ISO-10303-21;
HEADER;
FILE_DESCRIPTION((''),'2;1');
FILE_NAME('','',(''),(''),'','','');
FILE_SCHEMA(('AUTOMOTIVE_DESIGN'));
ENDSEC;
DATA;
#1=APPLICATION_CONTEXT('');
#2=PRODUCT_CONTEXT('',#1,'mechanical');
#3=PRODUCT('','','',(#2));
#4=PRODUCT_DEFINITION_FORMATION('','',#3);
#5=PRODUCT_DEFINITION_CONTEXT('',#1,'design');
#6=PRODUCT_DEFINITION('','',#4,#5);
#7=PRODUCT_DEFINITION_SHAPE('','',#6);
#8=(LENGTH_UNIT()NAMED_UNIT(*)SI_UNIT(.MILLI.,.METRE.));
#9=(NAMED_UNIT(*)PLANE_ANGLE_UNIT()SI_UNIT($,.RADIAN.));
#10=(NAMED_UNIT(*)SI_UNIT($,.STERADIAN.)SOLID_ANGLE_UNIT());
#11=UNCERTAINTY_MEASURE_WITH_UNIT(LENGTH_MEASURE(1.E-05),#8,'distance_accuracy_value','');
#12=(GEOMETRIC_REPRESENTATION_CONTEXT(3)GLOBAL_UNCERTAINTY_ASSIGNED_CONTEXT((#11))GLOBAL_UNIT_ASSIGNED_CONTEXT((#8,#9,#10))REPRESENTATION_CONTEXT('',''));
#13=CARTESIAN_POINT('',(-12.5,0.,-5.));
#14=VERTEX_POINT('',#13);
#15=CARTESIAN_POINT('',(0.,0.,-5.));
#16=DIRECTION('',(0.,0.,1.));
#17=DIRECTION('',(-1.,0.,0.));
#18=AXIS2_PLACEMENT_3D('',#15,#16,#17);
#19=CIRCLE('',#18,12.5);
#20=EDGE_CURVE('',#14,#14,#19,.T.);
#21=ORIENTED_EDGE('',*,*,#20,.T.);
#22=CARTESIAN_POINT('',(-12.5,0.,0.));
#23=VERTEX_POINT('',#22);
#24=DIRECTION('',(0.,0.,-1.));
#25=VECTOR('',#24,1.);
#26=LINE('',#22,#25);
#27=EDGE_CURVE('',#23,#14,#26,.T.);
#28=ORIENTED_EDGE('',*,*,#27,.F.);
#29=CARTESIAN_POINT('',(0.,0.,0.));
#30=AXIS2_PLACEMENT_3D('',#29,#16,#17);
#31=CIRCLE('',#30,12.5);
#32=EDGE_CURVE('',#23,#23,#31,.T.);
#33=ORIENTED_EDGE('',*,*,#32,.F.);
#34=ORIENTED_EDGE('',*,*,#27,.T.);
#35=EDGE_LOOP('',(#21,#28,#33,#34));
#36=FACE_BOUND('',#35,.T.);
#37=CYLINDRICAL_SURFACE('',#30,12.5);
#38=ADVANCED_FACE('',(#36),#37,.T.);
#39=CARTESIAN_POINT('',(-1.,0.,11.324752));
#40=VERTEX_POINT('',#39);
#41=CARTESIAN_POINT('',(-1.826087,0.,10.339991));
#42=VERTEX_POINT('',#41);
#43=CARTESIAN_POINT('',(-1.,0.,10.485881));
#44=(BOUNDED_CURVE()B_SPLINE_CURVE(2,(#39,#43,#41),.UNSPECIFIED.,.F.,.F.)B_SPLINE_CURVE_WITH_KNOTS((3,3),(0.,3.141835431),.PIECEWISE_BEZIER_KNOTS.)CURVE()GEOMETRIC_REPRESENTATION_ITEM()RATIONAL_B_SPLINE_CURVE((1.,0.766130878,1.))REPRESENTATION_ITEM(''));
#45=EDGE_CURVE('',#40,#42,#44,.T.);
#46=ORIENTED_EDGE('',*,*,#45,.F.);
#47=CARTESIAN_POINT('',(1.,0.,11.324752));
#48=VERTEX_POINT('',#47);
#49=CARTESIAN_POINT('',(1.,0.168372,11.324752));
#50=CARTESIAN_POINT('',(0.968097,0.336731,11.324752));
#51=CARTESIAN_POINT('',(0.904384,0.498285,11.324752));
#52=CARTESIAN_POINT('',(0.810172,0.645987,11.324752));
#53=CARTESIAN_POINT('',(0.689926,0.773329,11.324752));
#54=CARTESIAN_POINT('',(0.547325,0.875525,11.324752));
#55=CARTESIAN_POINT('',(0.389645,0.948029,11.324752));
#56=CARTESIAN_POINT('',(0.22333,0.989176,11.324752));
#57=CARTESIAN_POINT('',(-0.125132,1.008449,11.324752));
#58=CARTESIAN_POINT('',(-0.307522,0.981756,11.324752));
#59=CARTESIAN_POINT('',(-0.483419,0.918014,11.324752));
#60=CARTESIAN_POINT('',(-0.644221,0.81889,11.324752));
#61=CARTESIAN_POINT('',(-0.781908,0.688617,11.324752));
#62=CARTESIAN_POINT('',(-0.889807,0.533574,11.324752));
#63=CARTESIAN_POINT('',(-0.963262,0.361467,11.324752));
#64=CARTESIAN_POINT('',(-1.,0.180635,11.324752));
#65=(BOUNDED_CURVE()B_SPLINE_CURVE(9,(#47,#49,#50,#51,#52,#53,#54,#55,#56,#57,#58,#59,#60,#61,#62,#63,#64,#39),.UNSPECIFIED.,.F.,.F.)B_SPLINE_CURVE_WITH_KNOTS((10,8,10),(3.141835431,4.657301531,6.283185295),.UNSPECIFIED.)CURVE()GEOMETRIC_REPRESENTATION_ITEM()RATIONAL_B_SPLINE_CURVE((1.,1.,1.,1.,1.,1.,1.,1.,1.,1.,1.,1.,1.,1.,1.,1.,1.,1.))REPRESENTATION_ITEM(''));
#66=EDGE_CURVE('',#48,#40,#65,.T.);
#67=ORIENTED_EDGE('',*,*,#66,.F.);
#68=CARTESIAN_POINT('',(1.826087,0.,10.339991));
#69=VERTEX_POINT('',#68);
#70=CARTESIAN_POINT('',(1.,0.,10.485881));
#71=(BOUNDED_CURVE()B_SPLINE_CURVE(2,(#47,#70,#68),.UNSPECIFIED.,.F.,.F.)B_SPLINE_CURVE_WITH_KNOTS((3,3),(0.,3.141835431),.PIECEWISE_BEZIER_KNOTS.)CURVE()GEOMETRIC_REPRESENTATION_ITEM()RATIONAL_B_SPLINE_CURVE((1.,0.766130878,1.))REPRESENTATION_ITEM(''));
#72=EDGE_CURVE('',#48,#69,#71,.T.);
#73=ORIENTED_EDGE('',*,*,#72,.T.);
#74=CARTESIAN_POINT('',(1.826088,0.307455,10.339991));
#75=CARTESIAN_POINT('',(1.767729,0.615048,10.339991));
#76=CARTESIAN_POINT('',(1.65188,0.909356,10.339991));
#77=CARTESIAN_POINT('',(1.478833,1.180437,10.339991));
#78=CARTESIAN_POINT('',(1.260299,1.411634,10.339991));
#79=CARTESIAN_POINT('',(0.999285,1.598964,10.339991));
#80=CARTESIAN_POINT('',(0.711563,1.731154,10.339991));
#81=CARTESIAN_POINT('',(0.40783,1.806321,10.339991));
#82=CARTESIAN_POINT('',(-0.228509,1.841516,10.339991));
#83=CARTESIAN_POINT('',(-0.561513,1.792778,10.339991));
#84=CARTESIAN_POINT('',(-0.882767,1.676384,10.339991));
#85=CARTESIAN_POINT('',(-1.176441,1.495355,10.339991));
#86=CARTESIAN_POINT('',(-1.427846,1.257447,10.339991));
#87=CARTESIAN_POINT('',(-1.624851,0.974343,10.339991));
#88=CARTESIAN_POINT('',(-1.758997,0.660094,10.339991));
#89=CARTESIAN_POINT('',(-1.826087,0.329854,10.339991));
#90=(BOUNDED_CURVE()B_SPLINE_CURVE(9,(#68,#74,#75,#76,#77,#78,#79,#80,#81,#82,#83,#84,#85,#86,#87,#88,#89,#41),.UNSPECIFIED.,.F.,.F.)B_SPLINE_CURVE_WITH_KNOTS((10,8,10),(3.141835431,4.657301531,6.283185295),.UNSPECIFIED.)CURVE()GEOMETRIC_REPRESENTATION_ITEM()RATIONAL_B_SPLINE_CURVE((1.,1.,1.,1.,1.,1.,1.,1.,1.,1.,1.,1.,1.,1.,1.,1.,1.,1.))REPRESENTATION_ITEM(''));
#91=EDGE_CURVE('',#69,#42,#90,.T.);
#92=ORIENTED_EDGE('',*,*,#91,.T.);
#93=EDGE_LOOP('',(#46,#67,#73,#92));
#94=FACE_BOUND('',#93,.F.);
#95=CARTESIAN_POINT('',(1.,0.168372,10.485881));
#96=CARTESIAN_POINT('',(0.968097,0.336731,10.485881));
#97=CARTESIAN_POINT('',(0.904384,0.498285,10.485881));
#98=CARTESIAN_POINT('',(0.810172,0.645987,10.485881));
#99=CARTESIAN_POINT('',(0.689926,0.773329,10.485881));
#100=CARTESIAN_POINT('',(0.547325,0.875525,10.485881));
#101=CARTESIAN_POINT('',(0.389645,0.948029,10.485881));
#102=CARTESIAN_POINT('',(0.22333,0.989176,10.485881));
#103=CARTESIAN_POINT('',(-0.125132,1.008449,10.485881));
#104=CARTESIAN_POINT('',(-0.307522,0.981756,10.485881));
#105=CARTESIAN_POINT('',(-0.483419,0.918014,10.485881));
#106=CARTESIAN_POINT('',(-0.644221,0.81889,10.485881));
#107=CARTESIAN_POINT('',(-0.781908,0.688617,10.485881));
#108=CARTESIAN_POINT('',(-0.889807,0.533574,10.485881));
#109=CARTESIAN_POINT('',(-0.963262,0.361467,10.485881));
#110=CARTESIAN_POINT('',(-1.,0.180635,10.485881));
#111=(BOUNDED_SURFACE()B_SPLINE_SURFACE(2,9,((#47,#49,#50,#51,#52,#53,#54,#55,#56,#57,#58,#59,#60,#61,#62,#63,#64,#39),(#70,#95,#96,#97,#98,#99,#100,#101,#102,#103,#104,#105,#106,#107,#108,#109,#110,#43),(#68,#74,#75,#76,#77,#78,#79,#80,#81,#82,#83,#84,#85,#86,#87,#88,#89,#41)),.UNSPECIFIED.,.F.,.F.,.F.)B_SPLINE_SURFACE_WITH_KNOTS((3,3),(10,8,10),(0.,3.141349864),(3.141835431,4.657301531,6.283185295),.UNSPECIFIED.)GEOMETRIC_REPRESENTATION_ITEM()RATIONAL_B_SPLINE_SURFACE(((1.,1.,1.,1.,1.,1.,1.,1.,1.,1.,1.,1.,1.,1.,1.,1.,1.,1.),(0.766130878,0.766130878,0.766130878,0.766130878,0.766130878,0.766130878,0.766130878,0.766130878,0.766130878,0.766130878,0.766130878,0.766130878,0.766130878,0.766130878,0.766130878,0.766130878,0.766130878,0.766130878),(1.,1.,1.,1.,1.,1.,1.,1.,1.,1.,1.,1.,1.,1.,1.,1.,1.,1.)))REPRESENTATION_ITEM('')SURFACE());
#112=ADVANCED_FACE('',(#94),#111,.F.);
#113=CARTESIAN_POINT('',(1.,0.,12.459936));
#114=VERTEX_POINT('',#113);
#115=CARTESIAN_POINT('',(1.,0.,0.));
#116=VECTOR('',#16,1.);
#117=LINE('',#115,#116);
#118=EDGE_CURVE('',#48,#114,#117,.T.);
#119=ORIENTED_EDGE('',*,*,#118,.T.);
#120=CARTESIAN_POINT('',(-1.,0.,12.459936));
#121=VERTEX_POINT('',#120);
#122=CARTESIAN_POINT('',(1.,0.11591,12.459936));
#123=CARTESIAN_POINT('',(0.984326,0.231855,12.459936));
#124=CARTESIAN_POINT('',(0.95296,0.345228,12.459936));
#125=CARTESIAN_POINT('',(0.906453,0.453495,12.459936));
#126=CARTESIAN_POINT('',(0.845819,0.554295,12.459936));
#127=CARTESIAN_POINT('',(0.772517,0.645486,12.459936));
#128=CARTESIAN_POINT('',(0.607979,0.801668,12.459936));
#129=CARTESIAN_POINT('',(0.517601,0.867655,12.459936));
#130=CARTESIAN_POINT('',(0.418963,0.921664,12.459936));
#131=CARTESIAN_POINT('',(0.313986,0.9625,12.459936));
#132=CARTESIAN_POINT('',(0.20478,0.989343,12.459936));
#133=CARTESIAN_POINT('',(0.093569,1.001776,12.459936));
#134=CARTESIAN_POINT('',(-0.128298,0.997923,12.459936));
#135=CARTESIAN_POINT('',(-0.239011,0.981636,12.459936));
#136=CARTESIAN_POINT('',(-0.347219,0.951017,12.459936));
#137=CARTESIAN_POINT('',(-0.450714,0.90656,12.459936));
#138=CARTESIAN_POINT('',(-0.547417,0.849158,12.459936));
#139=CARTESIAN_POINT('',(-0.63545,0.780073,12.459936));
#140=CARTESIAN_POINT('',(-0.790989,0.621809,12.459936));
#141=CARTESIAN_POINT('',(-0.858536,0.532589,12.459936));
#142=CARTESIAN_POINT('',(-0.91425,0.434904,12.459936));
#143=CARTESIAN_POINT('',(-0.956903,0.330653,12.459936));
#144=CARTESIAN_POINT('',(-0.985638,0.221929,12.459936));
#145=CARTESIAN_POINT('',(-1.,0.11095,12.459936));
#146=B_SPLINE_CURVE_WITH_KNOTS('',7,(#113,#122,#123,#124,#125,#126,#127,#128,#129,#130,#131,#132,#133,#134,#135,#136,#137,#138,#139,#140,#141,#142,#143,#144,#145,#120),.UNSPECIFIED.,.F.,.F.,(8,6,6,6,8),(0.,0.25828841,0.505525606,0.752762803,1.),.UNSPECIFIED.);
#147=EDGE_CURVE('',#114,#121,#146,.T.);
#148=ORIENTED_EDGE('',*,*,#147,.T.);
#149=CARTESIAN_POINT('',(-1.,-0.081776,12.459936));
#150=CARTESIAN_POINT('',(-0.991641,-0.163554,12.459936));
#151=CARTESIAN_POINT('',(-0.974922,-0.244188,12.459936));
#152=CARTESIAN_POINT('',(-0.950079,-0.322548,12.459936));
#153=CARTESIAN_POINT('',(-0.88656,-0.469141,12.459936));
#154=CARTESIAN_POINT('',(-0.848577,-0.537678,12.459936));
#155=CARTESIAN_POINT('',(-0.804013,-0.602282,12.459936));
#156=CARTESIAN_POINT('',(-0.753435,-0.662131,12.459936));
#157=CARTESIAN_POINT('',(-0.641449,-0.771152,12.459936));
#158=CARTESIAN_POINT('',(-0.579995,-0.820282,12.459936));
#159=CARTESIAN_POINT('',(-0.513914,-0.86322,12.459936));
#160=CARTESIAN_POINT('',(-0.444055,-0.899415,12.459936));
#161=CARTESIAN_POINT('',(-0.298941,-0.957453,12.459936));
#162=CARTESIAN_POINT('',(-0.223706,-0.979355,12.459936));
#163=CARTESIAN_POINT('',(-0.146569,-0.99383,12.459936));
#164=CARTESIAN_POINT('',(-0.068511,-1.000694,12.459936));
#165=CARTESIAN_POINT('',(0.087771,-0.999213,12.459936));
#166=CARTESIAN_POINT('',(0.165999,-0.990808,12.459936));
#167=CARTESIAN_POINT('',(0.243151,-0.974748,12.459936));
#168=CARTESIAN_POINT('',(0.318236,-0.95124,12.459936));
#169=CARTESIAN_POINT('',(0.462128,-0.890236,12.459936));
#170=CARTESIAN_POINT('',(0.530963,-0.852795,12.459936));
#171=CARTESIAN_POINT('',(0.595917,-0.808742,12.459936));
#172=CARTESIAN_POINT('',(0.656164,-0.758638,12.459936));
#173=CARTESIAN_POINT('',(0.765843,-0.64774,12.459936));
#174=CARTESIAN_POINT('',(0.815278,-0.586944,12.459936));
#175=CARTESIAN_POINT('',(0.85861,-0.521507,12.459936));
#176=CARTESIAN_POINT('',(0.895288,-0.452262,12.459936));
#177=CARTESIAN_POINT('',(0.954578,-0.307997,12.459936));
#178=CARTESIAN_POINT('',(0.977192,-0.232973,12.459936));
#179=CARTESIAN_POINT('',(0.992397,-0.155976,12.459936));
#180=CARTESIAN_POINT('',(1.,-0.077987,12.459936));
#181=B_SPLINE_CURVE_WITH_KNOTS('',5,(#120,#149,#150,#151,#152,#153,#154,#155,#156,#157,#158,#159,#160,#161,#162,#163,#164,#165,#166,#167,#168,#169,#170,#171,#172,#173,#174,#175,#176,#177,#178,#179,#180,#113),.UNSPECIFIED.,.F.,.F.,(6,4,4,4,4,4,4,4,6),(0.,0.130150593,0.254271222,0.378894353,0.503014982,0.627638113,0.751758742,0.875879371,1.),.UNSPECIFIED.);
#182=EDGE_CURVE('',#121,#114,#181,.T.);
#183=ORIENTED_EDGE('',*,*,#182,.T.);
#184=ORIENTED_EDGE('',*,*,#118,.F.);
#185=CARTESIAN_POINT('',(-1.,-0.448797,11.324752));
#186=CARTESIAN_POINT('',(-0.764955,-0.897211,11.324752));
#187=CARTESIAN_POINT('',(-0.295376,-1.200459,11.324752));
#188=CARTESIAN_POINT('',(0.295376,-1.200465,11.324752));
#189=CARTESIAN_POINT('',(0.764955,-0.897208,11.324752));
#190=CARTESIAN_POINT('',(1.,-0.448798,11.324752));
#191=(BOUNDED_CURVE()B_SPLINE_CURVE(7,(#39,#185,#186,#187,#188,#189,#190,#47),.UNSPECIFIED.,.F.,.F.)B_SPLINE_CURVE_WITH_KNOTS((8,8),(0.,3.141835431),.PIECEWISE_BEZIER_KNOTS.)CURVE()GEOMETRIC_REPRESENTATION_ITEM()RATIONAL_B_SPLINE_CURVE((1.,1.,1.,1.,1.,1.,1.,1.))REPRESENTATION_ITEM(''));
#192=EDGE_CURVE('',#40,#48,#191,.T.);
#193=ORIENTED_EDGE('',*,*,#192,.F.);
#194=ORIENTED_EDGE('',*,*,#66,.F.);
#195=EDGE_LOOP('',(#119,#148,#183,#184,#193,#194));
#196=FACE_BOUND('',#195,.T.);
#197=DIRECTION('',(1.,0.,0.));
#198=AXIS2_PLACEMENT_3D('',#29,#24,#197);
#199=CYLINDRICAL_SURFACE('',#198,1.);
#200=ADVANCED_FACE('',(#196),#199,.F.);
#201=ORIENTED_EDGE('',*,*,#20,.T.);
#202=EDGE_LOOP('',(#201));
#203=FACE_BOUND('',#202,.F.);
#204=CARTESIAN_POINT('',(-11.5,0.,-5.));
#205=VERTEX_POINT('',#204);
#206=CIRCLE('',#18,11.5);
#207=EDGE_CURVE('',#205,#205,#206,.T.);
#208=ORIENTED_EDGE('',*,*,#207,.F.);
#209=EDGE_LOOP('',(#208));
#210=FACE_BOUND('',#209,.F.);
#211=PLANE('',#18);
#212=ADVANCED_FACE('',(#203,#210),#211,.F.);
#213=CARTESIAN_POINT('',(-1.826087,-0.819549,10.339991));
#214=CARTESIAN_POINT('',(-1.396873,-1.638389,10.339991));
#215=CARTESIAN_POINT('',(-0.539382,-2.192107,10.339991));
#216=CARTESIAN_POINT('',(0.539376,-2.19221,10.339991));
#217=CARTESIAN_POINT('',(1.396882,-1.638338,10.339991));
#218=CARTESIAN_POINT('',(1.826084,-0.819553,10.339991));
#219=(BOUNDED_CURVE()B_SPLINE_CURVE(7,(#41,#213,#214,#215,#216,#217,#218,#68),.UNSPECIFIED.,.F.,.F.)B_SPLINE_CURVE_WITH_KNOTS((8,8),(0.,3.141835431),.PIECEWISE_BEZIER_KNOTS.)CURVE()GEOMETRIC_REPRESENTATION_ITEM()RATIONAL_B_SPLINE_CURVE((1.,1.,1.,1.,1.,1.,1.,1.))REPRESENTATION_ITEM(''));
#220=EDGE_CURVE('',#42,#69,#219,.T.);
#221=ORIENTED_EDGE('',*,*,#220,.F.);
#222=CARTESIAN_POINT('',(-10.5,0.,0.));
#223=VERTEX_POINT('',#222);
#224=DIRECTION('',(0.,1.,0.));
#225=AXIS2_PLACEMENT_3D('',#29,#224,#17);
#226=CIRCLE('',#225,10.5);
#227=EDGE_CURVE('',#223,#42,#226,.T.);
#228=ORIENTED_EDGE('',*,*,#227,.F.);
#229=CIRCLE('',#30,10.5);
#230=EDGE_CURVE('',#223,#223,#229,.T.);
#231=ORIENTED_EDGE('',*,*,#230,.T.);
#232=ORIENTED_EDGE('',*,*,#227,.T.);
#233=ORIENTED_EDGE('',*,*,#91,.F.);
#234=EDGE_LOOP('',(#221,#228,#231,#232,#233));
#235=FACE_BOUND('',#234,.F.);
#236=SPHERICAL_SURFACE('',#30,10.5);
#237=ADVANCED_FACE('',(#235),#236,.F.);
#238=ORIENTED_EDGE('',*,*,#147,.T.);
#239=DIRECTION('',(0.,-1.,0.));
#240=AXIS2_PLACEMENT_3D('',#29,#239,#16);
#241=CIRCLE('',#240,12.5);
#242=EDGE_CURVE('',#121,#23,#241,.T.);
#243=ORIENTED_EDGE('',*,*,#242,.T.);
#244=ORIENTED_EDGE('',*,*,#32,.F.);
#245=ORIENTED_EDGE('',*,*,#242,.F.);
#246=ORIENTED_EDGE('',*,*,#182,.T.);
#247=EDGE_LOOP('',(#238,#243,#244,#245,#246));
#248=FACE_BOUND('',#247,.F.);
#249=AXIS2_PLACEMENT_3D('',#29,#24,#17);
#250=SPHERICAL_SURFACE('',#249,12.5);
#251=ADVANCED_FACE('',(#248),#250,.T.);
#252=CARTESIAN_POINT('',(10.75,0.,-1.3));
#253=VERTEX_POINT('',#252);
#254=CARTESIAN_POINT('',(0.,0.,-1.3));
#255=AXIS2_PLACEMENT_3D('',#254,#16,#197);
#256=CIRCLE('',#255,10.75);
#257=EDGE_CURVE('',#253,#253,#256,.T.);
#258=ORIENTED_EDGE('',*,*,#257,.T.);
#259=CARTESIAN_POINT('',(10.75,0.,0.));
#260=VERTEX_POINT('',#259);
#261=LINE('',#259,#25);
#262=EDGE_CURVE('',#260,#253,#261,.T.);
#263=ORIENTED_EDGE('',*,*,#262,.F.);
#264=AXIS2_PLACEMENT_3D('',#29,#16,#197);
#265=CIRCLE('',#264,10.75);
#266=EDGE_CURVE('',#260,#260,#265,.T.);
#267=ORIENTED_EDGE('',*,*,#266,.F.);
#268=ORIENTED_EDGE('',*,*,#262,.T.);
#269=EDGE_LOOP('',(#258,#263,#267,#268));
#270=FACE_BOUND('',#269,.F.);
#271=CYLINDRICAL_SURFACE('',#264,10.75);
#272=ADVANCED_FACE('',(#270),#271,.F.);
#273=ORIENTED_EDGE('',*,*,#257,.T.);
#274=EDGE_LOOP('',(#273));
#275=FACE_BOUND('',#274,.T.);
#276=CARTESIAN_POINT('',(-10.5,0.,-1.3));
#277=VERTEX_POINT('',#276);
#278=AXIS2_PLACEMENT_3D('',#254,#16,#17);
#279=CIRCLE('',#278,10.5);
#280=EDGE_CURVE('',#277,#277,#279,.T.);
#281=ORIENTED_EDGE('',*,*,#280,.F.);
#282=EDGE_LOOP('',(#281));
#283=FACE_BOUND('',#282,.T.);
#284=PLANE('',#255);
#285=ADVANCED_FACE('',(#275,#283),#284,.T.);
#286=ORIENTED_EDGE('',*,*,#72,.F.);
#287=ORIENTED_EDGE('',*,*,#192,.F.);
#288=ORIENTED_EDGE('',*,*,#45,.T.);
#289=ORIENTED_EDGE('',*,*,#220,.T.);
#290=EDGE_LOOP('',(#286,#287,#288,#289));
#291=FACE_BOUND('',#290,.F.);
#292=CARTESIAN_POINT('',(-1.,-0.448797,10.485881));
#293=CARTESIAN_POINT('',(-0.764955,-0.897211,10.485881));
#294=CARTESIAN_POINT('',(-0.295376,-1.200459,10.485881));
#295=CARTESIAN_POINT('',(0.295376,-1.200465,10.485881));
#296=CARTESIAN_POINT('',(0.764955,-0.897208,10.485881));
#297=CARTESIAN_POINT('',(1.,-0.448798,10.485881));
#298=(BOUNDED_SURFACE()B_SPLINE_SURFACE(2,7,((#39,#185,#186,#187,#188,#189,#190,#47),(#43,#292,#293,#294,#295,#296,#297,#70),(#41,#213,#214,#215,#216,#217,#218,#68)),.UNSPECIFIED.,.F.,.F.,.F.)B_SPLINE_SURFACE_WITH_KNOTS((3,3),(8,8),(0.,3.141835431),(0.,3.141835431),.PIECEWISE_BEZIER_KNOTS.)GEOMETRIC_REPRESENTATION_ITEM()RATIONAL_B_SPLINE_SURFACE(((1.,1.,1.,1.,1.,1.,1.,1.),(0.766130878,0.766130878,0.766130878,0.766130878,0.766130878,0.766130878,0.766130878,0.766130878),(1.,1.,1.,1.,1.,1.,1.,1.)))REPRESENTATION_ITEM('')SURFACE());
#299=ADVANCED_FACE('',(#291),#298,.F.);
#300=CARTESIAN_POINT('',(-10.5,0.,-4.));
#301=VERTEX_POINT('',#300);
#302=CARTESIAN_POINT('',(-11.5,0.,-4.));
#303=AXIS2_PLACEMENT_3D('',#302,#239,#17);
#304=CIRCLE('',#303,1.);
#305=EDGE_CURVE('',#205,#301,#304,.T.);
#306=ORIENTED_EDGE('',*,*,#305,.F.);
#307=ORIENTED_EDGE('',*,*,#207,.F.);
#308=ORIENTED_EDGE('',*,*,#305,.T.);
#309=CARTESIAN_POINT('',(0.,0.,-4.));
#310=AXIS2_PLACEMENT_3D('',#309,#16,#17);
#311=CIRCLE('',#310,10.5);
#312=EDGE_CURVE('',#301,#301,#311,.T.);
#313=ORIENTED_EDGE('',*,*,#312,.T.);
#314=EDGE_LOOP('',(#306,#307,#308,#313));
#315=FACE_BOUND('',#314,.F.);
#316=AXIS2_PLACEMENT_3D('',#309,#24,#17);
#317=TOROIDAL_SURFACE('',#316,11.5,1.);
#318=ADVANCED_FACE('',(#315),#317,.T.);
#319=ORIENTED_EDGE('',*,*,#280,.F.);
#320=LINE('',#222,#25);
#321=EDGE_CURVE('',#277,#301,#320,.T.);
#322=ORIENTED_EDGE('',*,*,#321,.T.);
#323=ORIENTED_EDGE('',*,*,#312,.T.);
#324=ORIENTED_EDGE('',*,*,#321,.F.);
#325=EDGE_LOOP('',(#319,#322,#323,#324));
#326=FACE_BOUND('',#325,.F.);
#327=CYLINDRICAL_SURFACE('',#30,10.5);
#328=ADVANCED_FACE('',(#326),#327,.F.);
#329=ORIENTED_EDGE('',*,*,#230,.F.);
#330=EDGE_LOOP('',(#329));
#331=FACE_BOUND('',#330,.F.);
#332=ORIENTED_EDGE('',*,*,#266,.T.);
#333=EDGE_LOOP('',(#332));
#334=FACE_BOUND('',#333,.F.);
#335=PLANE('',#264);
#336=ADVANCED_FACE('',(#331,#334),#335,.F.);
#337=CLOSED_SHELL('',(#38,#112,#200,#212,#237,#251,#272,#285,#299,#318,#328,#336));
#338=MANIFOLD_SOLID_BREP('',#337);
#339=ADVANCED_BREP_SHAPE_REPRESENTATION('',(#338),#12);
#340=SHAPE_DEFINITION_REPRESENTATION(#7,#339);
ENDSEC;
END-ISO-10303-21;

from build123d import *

# Parameters (mm, degrees)
F4_DEPTH = 5
F3_R     = 10.75
F5_DEPTH = 1.3
F6_R     = 1
F7_DEPTH = 22.1
F8_R     = 1


with BuildPart() as f2:
    # F0 (on Front) → F2 (revolve)
    with BuildSketch(Plane.XZ):
        with BuildLine():
            ThreePointArc((-10.5, 0), (-7.4246212025, 7.4246212025), (0, 10.5))
            Line((0, 10.5), (0, 12.5))
            ThreePointArc((0, 12.5), (-8.8388347648, 8.8388347648), (-12.5, 0))
            Line((-12.5, 0), (-10.5, 0))
        make_face()
    revolve(axis=Axis((0, 0, 21.9115), (0, 0, 1)))

    # F4 (add): a face of the model
    f4_faces = [f2.faces().sort_by_distance(p)[0] for p in [
        (12.1464466094, 0, 0),
    ]]
    extrude(f4_faces, amount=F4_DEPTH)

    # F3 (on Top) → F5 (cut)
    with BuildSketch(Plane.XY):
        Circle(F3_R)
    extrude(amount=-F5_DEPTH, mode=Mode.SUBTRACT)

    # F6 (on Top) → F7 (cut)
    with BuildSketch(Plane.XY):
        Circle(F6_R)
    extrude(amount=F7_DEPTH, mode=Mode.SUBTRACT)

    # F8
    f8_edges = [f2.edges().sort_by_distance(p)[0] for p in [
        (10.5, 0, -5),
        (0, -1, 10.452272),
        (0, 1, 10.452272),
    ]]
    fillet(f8_edges, radius=F8_R)


solid = f2.part
